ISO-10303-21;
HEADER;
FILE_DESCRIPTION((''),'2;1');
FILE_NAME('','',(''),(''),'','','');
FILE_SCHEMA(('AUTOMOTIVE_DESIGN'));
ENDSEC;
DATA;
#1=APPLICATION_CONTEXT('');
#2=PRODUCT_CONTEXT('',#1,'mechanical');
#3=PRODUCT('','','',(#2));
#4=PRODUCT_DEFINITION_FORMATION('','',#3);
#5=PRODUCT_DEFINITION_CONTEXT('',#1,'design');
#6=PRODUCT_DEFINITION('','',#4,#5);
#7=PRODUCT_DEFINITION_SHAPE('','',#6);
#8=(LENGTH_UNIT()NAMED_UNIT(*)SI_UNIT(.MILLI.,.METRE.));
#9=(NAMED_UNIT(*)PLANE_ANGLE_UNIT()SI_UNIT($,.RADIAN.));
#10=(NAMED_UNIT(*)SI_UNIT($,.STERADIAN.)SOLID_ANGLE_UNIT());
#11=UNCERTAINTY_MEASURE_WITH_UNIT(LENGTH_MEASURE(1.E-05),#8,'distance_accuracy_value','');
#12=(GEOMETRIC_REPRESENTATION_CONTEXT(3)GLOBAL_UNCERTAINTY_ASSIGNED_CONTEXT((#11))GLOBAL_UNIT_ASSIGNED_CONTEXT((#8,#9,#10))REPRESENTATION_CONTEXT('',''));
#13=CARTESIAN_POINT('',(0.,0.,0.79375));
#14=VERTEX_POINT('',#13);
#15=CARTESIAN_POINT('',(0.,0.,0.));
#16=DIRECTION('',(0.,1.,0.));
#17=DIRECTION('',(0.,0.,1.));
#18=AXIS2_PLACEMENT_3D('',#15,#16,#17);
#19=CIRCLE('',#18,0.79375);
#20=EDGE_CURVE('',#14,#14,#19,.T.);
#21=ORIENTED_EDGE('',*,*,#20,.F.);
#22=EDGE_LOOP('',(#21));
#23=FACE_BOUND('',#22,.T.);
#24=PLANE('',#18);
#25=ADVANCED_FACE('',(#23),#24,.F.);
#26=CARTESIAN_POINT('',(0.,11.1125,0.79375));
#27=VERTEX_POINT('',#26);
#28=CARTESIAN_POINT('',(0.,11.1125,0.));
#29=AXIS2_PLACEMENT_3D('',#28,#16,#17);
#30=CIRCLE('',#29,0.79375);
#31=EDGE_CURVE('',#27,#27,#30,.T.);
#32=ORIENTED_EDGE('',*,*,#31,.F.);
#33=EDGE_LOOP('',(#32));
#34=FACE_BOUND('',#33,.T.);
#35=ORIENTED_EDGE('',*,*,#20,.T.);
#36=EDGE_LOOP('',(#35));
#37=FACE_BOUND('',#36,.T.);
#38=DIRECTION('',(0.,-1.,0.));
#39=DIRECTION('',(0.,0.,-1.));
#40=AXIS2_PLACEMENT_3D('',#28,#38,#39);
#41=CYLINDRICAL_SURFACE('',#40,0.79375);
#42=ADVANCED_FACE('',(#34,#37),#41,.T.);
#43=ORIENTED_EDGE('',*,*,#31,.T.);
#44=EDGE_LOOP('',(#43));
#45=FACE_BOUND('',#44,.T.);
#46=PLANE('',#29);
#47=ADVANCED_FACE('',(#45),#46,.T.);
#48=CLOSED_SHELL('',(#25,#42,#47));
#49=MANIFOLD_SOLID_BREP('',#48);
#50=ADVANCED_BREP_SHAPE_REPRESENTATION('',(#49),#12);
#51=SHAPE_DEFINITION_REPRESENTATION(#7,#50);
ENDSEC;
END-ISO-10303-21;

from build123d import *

# Parameters (mm, degrees)
SKETCH1_R           = 0.79375
BOSS_EXTRUDE1_DEPTH = 11.1125


with BuildPart() as part:
    # Sketch1 → Boss-Extrude1 (new body)
    with BuildSketch(Plane(origin=(0, 0, 0), x_dir=(1, 0, 0), z_dir=(0, 1, 0))):
        with Locations(Location((0, 0, 0), (0, 0, 270))):
            Circle(SKETCH1_R)
    extrude(amount=BOSS_EXTRUDE1_DEPTH)


solid = part.part
